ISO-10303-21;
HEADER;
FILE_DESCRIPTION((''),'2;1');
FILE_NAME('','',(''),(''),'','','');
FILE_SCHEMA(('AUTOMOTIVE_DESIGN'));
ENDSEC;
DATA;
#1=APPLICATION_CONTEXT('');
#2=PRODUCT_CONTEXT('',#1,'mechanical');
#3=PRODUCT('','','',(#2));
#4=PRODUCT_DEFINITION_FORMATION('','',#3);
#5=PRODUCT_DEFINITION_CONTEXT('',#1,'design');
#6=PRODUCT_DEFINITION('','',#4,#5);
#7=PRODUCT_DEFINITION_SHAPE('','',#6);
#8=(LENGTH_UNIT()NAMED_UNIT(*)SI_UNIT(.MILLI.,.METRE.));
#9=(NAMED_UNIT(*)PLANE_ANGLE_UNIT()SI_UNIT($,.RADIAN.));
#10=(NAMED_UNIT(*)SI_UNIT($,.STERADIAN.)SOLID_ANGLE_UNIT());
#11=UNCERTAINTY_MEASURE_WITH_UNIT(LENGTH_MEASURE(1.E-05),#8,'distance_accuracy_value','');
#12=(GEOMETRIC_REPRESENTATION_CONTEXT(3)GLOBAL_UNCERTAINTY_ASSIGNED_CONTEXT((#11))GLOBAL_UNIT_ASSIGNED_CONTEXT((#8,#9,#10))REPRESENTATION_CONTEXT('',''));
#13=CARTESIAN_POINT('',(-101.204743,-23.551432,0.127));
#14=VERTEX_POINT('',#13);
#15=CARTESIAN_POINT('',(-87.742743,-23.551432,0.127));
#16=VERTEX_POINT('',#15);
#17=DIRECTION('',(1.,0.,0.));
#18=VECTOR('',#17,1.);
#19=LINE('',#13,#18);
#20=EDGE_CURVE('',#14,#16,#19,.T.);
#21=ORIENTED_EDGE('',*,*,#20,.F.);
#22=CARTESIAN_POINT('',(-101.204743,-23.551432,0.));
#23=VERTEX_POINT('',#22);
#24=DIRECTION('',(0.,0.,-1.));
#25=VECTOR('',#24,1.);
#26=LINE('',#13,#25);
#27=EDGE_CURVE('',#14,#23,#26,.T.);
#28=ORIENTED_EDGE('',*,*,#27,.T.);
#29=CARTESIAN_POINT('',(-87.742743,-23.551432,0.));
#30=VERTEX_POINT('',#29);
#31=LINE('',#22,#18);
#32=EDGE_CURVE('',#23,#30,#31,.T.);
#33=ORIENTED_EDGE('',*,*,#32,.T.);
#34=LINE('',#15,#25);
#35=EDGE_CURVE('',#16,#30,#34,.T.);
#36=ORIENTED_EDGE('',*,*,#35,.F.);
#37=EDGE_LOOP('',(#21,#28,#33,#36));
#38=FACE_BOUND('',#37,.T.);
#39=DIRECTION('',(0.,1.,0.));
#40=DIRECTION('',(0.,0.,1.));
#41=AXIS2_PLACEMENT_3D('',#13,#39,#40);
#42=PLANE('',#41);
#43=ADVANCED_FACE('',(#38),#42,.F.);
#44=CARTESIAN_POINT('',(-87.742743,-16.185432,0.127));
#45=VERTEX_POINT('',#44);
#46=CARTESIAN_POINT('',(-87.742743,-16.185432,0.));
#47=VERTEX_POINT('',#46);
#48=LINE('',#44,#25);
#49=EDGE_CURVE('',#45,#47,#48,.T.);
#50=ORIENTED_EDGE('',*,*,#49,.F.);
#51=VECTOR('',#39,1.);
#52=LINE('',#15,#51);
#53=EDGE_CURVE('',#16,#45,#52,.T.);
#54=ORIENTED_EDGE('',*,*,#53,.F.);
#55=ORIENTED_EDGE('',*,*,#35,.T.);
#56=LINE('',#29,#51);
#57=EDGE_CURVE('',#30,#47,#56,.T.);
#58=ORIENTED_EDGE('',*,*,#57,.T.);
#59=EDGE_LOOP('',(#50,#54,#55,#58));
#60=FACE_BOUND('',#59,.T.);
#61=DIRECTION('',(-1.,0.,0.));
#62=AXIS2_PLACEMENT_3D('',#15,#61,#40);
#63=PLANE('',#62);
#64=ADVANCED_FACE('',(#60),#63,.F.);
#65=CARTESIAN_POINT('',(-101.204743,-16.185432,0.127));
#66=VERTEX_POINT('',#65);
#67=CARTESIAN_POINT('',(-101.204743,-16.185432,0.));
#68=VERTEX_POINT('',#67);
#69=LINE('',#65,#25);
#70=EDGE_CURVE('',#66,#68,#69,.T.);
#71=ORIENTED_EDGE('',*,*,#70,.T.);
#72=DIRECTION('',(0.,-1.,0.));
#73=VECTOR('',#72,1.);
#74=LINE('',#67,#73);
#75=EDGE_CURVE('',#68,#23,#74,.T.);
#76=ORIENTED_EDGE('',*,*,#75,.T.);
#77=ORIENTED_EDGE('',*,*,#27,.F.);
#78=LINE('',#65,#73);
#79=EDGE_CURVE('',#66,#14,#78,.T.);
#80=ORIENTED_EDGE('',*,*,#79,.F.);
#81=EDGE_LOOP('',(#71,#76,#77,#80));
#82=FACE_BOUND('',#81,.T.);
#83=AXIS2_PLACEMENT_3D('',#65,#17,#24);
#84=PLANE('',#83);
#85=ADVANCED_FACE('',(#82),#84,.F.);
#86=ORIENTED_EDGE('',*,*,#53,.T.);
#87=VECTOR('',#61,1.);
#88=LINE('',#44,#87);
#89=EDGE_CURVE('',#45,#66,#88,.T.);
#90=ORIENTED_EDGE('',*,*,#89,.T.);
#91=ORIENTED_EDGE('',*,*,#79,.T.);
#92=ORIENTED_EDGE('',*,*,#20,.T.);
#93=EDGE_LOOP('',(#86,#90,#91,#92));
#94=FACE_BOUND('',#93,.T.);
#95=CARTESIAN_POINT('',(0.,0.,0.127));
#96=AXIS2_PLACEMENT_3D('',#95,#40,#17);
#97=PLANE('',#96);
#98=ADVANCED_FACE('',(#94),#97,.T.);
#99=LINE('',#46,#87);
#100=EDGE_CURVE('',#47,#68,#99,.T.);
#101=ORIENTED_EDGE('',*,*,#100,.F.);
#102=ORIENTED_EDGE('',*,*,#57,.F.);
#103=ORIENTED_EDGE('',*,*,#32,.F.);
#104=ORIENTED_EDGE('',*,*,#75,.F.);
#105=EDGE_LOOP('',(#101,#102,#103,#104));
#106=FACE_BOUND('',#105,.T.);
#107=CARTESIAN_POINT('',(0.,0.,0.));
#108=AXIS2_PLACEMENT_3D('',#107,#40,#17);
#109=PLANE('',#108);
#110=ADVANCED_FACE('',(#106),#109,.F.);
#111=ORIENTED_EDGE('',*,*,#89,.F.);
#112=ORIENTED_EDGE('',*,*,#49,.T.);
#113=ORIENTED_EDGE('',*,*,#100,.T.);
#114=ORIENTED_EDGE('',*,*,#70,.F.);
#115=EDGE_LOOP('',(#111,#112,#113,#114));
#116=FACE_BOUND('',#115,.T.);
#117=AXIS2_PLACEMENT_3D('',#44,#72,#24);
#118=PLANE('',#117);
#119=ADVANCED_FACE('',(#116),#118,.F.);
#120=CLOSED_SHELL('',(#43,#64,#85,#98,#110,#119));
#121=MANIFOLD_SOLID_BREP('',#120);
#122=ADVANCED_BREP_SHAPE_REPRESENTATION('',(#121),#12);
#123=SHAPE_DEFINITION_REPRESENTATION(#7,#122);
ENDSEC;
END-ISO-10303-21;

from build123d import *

# Parameters (mm, degrees)
SKETCH1_W           = 13.462
SKETCH1_H           = 7.366
BOSS_EXTRUDE1_DEPTH = 0.127


with BuildPart() as part:
    # Sketch1 → Boss-Extrude1 (new body)
    with BuildSketch(Plane.XY):
        with Locations((-94.473742777, -19.868432242)):
            Rectangle(SKETCH1_W, SKETCH1_H)
    extrude(amount=BOSS_EXTRUDE1_DEPTH)


solid = part.part
